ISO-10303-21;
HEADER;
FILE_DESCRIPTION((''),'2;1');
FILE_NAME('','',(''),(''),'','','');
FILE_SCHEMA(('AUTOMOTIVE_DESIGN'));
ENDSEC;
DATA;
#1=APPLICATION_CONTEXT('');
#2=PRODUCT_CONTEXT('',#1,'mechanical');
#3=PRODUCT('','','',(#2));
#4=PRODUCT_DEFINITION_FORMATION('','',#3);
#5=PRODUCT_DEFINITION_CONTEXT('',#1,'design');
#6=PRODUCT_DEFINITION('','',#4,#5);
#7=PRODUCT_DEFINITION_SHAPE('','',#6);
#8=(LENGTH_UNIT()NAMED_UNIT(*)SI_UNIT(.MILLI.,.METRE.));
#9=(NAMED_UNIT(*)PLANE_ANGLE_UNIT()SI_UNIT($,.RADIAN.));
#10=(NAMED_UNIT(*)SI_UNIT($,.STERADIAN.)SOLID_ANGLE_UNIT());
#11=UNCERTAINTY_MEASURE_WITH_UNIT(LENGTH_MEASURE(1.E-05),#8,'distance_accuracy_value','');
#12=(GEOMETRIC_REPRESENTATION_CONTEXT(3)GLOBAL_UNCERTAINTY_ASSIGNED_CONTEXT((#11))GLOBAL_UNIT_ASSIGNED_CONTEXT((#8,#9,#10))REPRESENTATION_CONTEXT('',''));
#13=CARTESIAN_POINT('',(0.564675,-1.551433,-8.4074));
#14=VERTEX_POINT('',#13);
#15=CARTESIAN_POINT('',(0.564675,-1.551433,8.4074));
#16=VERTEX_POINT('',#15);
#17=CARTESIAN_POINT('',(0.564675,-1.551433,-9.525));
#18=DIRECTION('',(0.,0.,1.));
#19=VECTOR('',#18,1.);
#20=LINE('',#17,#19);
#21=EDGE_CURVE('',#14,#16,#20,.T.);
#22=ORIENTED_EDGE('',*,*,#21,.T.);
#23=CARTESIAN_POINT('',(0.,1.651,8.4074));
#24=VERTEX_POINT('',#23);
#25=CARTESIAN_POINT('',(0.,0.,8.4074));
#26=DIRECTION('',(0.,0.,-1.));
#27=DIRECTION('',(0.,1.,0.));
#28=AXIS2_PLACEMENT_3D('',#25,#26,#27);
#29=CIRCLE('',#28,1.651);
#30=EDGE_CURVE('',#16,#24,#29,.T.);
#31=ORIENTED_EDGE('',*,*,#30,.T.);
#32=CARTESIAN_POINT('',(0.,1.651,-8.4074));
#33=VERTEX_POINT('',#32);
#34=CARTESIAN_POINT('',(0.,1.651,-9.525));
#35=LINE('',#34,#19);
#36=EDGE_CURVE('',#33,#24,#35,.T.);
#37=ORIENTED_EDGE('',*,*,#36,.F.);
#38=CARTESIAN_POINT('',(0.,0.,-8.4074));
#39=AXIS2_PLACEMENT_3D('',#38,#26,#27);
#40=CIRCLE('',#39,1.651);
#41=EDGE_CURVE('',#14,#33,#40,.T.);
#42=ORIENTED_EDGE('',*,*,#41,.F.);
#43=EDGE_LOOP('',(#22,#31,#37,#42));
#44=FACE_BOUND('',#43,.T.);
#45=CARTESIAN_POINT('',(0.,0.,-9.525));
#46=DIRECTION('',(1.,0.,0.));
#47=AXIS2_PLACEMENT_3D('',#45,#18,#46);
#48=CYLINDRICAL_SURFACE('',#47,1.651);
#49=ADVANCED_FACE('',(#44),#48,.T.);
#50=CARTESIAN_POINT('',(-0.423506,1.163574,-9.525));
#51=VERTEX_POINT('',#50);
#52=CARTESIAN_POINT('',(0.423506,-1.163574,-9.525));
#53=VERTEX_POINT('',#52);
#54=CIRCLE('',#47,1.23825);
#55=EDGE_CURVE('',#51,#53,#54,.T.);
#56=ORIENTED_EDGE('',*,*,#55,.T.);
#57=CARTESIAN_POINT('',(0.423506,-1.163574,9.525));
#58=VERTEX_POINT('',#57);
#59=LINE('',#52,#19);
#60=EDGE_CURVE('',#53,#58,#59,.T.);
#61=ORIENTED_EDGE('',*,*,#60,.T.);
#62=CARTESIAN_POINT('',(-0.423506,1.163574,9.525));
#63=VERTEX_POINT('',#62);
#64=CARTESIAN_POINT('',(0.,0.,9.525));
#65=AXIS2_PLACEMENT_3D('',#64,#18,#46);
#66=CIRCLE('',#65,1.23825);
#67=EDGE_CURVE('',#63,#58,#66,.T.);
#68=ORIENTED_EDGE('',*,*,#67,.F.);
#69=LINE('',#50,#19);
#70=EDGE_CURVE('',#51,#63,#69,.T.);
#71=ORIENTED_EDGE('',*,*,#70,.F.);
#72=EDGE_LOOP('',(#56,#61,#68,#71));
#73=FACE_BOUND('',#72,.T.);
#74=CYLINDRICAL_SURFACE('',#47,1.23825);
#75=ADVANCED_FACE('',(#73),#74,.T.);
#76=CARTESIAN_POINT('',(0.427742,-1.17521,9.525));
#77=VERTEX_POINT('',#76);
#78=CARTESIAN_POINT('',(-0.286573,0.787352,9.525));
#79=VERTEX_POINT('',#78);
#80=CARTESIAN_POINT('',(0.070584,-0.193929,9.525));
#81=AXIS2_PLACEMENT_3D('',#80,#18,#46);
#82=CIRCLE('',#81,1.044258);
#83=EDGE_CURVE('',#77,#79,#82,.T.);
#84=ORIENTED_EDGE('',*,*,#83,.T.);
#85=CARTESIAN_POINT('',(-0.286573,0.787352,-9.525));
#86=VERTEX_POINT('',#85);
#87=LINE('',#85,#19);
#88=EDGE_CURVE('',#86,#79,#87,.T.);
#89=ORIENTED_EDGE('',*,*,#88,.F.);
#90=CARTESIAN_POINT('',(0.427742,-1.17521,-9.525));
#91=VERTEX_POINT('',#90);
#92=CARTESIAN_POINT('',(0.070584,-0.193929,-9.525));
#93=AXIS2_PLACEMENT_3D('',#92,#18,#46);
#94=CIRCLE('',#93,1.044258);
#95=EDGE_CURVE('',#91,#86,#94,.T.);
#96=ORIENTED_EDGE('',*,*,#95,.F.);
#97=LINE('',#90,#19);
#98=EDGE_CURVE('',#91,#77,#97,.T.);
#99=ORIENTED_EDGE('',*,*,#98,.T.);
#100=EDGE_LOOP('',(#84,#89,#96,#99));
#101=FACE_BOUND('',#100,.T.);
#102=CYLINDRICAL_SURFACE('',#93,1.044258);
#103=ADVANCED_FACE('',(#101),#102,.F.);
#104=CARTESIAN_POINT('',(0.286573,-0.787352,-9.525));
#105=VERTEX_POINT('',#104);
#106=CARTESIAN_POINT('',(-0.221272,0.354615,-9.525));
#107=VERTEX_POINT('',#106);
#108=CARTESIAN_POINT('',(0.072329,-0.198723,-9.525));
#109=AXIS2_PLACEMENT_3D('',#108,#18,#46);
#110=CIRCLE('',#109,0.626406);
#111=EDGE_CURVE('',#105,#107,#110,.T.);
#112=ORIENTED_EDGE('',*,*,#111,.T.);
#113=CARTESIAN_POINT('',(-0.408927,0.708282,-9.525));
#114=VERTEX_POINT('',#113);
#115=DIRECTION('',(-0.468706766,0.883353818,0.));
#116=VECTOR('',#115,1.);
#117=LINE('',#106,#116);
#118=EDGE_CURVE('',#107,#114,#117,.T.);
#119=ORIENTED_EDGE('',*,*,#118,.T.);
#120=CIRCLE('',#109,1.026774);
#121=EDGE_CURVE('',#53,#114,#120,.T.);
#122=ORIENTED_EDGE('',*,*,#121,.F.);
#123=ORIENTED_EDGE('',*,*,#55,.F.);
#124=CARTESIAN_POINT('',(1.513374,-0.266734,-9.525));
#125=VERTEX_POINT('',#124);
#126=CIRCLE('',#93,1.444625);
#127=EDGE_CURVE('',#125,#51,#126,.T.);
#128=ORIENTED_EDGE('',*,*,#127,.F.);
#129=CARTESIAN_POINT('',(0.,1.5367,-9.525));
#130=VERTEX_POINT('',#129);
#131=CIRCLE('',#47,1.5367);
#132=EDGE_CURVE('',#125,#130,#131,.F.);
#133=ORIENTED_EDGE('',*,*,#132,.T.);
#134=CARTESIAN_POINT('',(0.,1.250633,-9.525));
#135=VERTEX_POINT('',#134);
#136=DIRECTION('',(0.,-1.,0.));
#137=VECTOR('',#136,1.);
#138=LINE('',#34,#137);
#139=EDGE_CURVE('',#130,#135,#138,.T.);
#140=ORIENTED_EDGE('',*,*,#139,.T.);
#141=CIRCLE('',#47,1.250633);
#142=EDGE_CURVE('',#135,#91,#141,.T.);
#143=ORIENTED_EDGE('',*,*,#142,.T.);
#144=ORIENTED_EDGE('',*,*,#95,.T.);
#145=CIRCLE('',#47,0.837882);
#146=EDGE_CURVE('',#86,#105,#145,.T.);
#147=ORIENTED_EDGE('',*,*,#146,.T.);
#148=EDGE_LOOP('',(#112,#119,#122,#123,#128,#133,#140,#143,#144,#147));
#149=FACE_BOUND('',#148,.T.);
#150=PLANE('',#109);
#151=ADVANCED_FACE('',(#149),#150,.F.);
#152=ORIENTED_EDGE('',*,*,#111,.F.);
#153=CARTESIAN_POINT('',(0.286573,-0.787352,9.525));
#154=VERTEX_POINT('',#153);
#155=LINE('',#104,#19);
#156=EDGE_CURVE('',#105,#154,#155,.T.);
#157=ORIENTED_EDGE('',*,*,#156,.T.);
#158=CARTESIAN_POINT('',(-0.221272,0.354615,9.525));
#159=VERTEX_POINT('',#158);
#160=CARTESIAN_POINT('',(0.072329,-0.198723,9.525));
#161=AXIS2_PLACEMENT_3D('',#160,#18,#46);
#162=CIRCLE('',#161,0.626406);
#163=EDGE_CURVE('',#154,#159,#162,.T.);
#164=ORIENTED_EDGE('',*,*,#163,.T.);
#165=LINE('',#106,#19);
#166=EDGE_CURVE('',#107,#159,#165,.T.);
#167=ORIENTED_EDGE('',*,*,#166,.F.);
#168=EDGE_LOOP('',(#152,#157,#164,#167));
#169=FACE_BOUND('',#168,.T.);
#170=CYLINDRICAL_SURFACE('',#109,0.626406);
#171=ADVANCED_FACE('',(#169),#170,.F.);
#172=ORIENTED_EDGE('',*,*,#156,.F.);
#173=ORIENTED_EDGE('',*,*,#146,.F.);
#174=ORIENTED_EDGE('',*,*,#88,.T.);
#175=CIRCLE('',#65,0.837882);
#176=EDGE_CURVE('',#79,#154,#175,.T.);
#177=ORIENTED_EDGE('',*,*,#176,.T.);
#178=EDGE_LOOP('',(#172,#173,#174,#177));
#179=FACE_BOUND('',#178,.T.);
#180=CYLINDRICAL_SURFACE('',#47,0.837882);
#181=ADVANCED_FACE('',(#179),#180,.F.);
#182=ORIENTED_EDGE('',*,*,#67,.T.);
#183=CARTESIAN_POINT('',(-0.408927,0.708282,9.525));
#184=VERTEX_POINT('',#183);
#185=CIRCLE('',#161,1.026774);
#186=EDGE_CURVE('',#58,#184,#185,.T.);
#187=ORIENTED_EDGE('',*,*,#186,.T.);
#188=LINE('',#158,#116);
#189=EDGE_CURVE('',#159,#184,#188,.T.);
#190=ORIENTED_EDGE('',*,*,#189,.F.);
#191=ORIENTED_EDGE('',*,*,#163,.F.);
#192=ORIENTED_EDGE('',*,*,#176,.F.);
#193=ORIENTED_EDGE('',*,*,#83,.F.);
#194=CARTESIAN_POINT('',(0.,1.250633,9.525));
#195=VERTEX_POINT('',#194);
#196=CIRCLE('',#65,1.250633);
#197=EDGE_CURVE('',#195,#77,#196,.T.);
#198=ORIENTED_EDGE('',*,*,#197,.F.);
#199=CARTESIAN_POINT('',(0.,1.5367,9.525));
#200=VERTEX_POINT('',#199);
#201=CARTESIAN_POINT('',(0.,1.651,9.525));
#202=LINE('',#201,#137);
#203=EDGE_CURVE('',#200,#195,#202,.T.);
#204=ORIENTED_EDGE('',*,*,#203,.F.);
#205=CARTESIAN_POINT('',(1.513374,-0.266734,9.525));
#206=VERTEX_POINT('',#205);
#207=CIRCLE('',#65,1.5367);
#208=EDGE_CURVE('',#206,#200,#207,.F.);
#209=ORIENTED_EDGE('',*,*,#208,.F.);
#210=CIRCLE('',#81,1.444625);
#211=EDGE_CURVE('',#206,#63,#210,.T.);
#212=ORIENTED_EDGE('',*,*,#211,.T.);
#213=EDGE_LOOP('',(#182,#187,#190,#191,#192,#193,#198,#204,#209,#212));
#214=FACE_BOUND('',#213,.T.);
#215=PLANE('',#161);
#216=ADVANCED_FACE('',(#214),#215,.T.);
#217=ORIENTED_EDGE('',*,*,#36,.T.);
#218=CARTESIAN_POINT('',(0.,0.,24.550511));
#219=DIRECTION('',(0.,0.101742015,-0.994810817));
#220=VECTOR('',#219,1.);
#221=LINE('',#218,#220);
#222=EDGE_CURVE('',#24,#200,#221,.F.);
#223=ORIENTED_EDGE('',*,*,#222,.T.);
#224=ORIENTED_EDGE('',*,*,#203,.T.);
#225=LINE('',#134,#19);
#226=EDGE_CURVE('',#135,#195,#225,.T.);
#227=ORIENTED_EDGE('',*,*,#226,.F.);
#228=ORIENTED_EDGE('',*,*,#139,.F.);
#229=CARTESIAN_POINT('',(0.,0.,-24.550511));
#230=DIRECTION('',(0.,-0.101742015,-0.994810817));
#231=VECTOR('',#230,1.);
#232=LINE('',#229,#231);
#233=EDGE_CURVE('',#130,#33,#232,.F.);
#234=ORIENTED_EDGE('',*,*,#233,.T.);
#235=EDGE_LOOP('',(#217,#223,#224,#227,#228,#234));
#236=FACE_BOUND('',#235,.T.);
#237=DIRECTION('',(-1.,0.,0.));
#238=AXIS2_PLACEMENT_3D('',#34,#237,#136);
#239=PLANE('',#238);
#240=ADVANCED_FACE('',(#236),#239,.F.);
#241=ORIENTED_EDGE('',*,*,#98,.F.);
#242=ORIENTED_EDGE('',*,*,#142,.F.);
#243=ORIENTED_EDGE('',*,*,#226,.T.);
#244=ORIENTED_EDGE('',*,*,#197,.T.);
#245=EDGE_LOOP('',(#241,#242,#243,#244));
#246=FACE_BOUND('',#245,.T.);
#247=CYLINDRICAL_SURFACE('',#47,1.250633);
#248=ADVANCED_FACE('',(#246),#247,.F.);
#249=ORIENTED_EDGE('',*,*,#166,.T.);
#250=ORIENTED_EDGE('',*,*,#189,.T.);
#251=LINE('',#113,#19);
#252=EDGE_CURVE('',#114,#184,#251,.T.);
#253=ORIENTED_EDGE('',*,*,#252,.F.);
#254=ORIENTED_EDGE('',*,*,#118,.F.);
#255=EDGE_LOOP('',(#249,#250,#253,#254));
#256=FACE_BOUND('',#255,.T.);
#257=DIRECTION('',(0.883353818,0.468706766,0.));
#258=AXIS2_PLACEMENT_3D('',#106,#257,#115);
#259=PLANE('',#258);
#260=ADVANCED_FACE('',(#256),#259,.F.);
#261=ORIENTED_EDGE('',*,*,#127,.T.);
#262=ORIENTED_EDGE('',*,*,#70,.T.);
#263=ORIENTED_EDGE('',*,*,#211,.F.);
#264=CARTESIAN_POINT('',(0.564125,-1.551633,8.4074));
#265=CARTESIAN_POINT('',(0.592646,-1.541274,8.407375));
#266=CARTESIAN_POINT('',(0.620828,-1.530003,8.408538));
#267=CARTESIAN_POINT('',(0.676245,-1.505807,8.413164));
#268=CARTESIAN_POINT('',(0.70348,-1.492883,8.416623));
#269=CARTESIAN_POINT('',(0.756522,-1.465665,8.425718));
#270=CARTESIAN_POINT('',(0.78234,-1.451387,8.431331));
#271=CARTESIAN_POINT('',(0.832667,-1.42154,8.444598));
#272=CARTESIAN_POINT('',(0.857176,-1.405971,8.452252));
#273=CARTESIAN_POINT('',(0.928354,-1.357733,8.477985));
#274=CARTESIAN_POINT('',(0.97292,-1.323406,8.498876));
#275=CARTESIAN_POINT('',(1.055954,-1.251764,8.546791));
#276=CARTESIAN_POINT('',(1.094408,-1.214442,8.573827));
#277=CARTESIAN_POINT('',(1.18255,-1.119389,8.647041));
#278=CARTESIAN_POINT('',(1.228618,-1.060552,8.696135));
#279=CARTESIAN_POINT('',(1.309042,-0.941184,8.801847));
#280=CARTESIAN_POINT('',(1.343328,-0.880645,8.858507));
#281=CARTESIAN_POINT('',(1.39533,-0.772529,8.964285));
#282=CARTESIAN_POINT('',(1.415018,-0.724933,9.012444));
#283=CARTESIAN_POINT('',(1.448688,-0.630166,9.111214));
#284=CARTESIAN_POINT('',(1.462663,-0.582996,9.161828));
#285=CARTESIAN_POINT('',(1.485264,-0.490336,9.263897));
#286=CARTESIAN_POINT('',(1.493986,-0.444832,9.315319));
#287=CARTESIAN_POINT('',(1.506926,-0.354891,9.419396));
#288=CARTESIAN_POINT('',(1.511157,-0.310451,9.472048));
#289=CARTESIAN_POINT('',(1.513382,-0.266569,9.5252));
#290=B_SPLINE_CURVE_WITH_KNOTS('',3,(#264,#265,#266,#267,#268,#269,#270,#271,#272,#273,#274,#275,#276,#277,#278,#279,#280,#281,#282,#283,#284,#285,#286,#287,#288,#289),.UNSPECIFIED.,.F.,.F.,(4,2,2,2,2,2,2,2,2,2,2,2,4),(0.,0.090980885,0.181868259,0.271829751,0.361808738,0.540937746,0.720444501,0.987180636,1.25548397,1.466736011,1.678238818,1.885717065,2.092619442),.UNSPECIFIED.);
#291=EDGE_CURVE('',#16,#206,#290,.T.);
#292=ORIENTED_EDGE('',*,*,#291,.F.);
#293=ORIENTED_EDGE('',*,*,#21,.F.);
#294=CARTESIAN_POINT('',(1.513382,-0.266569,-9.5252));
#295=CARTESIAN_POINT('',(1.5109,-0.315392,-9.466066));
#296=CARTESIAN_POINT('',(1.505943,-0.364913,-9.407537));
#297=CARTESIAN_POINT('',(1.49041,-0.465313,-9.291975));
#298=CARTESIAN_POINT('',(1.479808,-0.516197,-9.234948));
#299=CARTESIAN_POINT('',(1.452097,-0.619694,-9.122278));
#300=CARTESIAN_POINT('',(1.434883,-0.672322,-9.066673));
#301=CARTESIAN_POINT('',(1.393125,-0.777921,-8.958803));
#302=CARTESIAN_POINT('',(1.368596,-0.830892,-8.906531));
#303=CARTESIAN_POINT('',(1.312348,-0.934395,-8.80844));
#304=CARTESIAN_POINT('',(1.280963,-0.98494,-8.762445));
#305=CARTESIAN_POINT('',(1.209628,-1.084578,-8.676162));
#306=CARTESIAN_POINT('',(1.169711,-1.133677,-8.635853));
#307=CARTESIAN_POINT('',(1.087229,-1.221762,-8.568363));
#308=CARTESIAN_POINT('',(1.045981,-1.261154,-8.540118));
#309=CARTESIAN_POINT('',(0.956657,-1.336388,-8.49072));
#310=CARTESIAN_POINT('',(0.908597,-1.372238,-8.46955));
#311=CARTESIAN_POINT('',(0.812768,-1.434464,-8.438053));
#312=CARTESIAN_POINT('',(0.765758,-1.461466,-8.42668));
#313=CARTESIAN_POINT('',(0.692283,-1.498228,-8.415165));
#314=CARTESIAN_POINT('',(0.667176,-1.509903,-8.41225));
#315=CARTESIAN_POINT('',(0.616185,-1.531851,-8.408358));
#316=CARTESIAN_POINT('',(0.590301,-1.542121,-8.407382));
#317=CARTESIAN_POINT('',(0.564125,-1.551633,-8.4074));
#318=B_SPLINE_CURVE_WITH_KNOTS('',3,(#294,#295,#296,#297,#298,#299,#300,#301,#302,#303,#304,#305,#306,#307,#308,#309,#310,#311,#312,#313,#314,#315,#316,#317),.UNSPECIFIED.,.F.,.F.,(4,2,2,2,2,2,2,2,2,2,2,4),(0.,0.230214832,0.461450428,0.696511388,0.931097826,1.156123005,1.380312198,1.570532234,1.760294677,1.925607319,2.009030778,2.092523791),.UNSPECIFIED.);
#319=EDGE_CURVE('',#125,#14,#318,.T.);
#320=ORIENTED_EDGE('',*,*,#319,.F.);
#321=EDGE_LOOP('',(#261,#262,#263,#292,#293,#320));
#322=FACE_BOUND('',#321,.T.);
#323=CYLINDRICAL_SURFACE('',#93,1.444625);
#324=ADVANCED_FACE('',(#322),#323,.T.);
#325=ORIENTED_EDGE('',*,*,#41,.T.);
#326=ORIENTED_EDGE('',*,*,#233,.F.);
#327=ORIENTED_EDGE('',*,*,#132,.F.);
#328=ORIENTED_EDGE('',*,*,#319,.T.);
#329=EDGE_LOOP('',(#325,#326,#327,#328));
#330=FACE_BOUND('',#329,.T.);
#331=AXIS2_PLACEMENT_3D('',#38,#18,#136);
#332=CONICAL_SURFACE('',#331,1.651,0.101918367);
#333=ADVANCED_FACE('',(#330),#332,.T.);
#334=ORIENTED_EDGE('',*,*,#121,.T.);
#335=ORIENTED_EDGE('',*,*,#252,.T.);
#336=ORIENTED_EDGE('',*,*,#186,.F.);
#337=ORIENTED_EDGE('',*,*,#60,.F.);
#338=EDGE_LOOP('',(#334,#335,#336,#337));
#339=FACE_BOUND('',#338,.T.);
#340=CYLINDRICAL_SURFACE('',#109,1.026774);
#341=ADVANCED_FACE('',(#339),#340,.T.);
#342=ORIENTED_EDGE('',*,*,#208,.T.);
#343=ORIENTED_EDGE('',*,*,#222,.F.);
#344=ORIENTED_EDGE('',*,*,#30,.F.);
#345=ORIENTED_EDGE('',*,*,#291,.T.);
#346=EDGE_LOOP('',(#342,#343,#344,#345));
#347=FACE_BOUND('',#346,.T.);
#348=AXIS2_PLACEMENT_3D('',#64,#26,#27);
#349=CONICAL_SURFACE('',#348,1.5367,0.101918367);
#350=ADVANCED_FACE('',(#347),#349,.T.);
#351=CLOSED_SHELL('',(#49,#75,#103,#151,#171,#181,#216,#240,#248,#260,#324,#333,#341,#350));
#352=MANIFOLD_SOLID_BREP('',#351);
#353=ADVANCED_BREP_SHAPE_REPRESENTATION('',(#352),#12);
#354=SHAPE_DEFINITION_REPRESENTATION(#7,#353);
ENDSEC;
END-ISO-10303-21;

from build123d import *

# Parameters (mm, degrees)
EXTRUDE_THIN1_DEPTH = 9.525


with BuildPart() as part:
    # Sketch2 → Extrude-Thin1 (new, symmetric)
    with BuildSketch(Plane.XY):
        with BuildLine():
            ThreePointArc((0, 1.651), (-1.6259176, -0.286693141), (0.564675257, -1.551432517))
            ThreePointArc((0.564675257, -1.551432517), (1.428087859, 0.300161785), (-0.423506442, 1.163574388))
            ThreePointArc((-0.423506442, 1.163574388), (-1.163574388, -0.423506442), (0.423506442, -1.163574388))
            ThreePointArc((0.423506442, -1.163574388), (1.010514268, 0.218497398), (-0.408926516, 0.708281502))
            Line((-0.408926516, 0.708281502), (-0.22127156, 0.354615342))
            ThreePointArc((-0.22127156, 0.354615342), (0.644689881, 0.055811649), (0.286572693, -0.787352002))
            ThreePointArc((0.286572693, -0.787352002), (-0.787352002, -0.286572693), (-0.286572693, 0.787352002))
            ThreePointArc((-0.286572693, 0.787352002), (1.051865474, 0.163228035), (0.427741507, -1.175210132))
            ThreePointArc((0.427741507, -1.175210132), (-1.231632582, -0.217170055), (0, 1.2506325))
            Line((0, 1.2506325), (0, 1.651))
        make_face()
    extrude(amount=EXTRUDE_THIN1_DEPTH, both=True)

    # Sketch3 → Cut-Revolve1 (revolve, cut)
    with BuildSketch(Plane(origin=(0, 0, 0), x_dir=(0, 0, -1), z_dir=(1, 0, 0))):
        Polygon((-9.525, 1.651), (-9.525, 1.5367), (-8.4074, 1.651), align=None)
        Polygon((8.4074, 1.651), (9.525, 1.651), (9.525, 1.5367), align=None)
    revolve(axis=Axis((0, 0, 0), (0, 0, 1)), mode=Mode.SUBTRACT)


solid = part.part
